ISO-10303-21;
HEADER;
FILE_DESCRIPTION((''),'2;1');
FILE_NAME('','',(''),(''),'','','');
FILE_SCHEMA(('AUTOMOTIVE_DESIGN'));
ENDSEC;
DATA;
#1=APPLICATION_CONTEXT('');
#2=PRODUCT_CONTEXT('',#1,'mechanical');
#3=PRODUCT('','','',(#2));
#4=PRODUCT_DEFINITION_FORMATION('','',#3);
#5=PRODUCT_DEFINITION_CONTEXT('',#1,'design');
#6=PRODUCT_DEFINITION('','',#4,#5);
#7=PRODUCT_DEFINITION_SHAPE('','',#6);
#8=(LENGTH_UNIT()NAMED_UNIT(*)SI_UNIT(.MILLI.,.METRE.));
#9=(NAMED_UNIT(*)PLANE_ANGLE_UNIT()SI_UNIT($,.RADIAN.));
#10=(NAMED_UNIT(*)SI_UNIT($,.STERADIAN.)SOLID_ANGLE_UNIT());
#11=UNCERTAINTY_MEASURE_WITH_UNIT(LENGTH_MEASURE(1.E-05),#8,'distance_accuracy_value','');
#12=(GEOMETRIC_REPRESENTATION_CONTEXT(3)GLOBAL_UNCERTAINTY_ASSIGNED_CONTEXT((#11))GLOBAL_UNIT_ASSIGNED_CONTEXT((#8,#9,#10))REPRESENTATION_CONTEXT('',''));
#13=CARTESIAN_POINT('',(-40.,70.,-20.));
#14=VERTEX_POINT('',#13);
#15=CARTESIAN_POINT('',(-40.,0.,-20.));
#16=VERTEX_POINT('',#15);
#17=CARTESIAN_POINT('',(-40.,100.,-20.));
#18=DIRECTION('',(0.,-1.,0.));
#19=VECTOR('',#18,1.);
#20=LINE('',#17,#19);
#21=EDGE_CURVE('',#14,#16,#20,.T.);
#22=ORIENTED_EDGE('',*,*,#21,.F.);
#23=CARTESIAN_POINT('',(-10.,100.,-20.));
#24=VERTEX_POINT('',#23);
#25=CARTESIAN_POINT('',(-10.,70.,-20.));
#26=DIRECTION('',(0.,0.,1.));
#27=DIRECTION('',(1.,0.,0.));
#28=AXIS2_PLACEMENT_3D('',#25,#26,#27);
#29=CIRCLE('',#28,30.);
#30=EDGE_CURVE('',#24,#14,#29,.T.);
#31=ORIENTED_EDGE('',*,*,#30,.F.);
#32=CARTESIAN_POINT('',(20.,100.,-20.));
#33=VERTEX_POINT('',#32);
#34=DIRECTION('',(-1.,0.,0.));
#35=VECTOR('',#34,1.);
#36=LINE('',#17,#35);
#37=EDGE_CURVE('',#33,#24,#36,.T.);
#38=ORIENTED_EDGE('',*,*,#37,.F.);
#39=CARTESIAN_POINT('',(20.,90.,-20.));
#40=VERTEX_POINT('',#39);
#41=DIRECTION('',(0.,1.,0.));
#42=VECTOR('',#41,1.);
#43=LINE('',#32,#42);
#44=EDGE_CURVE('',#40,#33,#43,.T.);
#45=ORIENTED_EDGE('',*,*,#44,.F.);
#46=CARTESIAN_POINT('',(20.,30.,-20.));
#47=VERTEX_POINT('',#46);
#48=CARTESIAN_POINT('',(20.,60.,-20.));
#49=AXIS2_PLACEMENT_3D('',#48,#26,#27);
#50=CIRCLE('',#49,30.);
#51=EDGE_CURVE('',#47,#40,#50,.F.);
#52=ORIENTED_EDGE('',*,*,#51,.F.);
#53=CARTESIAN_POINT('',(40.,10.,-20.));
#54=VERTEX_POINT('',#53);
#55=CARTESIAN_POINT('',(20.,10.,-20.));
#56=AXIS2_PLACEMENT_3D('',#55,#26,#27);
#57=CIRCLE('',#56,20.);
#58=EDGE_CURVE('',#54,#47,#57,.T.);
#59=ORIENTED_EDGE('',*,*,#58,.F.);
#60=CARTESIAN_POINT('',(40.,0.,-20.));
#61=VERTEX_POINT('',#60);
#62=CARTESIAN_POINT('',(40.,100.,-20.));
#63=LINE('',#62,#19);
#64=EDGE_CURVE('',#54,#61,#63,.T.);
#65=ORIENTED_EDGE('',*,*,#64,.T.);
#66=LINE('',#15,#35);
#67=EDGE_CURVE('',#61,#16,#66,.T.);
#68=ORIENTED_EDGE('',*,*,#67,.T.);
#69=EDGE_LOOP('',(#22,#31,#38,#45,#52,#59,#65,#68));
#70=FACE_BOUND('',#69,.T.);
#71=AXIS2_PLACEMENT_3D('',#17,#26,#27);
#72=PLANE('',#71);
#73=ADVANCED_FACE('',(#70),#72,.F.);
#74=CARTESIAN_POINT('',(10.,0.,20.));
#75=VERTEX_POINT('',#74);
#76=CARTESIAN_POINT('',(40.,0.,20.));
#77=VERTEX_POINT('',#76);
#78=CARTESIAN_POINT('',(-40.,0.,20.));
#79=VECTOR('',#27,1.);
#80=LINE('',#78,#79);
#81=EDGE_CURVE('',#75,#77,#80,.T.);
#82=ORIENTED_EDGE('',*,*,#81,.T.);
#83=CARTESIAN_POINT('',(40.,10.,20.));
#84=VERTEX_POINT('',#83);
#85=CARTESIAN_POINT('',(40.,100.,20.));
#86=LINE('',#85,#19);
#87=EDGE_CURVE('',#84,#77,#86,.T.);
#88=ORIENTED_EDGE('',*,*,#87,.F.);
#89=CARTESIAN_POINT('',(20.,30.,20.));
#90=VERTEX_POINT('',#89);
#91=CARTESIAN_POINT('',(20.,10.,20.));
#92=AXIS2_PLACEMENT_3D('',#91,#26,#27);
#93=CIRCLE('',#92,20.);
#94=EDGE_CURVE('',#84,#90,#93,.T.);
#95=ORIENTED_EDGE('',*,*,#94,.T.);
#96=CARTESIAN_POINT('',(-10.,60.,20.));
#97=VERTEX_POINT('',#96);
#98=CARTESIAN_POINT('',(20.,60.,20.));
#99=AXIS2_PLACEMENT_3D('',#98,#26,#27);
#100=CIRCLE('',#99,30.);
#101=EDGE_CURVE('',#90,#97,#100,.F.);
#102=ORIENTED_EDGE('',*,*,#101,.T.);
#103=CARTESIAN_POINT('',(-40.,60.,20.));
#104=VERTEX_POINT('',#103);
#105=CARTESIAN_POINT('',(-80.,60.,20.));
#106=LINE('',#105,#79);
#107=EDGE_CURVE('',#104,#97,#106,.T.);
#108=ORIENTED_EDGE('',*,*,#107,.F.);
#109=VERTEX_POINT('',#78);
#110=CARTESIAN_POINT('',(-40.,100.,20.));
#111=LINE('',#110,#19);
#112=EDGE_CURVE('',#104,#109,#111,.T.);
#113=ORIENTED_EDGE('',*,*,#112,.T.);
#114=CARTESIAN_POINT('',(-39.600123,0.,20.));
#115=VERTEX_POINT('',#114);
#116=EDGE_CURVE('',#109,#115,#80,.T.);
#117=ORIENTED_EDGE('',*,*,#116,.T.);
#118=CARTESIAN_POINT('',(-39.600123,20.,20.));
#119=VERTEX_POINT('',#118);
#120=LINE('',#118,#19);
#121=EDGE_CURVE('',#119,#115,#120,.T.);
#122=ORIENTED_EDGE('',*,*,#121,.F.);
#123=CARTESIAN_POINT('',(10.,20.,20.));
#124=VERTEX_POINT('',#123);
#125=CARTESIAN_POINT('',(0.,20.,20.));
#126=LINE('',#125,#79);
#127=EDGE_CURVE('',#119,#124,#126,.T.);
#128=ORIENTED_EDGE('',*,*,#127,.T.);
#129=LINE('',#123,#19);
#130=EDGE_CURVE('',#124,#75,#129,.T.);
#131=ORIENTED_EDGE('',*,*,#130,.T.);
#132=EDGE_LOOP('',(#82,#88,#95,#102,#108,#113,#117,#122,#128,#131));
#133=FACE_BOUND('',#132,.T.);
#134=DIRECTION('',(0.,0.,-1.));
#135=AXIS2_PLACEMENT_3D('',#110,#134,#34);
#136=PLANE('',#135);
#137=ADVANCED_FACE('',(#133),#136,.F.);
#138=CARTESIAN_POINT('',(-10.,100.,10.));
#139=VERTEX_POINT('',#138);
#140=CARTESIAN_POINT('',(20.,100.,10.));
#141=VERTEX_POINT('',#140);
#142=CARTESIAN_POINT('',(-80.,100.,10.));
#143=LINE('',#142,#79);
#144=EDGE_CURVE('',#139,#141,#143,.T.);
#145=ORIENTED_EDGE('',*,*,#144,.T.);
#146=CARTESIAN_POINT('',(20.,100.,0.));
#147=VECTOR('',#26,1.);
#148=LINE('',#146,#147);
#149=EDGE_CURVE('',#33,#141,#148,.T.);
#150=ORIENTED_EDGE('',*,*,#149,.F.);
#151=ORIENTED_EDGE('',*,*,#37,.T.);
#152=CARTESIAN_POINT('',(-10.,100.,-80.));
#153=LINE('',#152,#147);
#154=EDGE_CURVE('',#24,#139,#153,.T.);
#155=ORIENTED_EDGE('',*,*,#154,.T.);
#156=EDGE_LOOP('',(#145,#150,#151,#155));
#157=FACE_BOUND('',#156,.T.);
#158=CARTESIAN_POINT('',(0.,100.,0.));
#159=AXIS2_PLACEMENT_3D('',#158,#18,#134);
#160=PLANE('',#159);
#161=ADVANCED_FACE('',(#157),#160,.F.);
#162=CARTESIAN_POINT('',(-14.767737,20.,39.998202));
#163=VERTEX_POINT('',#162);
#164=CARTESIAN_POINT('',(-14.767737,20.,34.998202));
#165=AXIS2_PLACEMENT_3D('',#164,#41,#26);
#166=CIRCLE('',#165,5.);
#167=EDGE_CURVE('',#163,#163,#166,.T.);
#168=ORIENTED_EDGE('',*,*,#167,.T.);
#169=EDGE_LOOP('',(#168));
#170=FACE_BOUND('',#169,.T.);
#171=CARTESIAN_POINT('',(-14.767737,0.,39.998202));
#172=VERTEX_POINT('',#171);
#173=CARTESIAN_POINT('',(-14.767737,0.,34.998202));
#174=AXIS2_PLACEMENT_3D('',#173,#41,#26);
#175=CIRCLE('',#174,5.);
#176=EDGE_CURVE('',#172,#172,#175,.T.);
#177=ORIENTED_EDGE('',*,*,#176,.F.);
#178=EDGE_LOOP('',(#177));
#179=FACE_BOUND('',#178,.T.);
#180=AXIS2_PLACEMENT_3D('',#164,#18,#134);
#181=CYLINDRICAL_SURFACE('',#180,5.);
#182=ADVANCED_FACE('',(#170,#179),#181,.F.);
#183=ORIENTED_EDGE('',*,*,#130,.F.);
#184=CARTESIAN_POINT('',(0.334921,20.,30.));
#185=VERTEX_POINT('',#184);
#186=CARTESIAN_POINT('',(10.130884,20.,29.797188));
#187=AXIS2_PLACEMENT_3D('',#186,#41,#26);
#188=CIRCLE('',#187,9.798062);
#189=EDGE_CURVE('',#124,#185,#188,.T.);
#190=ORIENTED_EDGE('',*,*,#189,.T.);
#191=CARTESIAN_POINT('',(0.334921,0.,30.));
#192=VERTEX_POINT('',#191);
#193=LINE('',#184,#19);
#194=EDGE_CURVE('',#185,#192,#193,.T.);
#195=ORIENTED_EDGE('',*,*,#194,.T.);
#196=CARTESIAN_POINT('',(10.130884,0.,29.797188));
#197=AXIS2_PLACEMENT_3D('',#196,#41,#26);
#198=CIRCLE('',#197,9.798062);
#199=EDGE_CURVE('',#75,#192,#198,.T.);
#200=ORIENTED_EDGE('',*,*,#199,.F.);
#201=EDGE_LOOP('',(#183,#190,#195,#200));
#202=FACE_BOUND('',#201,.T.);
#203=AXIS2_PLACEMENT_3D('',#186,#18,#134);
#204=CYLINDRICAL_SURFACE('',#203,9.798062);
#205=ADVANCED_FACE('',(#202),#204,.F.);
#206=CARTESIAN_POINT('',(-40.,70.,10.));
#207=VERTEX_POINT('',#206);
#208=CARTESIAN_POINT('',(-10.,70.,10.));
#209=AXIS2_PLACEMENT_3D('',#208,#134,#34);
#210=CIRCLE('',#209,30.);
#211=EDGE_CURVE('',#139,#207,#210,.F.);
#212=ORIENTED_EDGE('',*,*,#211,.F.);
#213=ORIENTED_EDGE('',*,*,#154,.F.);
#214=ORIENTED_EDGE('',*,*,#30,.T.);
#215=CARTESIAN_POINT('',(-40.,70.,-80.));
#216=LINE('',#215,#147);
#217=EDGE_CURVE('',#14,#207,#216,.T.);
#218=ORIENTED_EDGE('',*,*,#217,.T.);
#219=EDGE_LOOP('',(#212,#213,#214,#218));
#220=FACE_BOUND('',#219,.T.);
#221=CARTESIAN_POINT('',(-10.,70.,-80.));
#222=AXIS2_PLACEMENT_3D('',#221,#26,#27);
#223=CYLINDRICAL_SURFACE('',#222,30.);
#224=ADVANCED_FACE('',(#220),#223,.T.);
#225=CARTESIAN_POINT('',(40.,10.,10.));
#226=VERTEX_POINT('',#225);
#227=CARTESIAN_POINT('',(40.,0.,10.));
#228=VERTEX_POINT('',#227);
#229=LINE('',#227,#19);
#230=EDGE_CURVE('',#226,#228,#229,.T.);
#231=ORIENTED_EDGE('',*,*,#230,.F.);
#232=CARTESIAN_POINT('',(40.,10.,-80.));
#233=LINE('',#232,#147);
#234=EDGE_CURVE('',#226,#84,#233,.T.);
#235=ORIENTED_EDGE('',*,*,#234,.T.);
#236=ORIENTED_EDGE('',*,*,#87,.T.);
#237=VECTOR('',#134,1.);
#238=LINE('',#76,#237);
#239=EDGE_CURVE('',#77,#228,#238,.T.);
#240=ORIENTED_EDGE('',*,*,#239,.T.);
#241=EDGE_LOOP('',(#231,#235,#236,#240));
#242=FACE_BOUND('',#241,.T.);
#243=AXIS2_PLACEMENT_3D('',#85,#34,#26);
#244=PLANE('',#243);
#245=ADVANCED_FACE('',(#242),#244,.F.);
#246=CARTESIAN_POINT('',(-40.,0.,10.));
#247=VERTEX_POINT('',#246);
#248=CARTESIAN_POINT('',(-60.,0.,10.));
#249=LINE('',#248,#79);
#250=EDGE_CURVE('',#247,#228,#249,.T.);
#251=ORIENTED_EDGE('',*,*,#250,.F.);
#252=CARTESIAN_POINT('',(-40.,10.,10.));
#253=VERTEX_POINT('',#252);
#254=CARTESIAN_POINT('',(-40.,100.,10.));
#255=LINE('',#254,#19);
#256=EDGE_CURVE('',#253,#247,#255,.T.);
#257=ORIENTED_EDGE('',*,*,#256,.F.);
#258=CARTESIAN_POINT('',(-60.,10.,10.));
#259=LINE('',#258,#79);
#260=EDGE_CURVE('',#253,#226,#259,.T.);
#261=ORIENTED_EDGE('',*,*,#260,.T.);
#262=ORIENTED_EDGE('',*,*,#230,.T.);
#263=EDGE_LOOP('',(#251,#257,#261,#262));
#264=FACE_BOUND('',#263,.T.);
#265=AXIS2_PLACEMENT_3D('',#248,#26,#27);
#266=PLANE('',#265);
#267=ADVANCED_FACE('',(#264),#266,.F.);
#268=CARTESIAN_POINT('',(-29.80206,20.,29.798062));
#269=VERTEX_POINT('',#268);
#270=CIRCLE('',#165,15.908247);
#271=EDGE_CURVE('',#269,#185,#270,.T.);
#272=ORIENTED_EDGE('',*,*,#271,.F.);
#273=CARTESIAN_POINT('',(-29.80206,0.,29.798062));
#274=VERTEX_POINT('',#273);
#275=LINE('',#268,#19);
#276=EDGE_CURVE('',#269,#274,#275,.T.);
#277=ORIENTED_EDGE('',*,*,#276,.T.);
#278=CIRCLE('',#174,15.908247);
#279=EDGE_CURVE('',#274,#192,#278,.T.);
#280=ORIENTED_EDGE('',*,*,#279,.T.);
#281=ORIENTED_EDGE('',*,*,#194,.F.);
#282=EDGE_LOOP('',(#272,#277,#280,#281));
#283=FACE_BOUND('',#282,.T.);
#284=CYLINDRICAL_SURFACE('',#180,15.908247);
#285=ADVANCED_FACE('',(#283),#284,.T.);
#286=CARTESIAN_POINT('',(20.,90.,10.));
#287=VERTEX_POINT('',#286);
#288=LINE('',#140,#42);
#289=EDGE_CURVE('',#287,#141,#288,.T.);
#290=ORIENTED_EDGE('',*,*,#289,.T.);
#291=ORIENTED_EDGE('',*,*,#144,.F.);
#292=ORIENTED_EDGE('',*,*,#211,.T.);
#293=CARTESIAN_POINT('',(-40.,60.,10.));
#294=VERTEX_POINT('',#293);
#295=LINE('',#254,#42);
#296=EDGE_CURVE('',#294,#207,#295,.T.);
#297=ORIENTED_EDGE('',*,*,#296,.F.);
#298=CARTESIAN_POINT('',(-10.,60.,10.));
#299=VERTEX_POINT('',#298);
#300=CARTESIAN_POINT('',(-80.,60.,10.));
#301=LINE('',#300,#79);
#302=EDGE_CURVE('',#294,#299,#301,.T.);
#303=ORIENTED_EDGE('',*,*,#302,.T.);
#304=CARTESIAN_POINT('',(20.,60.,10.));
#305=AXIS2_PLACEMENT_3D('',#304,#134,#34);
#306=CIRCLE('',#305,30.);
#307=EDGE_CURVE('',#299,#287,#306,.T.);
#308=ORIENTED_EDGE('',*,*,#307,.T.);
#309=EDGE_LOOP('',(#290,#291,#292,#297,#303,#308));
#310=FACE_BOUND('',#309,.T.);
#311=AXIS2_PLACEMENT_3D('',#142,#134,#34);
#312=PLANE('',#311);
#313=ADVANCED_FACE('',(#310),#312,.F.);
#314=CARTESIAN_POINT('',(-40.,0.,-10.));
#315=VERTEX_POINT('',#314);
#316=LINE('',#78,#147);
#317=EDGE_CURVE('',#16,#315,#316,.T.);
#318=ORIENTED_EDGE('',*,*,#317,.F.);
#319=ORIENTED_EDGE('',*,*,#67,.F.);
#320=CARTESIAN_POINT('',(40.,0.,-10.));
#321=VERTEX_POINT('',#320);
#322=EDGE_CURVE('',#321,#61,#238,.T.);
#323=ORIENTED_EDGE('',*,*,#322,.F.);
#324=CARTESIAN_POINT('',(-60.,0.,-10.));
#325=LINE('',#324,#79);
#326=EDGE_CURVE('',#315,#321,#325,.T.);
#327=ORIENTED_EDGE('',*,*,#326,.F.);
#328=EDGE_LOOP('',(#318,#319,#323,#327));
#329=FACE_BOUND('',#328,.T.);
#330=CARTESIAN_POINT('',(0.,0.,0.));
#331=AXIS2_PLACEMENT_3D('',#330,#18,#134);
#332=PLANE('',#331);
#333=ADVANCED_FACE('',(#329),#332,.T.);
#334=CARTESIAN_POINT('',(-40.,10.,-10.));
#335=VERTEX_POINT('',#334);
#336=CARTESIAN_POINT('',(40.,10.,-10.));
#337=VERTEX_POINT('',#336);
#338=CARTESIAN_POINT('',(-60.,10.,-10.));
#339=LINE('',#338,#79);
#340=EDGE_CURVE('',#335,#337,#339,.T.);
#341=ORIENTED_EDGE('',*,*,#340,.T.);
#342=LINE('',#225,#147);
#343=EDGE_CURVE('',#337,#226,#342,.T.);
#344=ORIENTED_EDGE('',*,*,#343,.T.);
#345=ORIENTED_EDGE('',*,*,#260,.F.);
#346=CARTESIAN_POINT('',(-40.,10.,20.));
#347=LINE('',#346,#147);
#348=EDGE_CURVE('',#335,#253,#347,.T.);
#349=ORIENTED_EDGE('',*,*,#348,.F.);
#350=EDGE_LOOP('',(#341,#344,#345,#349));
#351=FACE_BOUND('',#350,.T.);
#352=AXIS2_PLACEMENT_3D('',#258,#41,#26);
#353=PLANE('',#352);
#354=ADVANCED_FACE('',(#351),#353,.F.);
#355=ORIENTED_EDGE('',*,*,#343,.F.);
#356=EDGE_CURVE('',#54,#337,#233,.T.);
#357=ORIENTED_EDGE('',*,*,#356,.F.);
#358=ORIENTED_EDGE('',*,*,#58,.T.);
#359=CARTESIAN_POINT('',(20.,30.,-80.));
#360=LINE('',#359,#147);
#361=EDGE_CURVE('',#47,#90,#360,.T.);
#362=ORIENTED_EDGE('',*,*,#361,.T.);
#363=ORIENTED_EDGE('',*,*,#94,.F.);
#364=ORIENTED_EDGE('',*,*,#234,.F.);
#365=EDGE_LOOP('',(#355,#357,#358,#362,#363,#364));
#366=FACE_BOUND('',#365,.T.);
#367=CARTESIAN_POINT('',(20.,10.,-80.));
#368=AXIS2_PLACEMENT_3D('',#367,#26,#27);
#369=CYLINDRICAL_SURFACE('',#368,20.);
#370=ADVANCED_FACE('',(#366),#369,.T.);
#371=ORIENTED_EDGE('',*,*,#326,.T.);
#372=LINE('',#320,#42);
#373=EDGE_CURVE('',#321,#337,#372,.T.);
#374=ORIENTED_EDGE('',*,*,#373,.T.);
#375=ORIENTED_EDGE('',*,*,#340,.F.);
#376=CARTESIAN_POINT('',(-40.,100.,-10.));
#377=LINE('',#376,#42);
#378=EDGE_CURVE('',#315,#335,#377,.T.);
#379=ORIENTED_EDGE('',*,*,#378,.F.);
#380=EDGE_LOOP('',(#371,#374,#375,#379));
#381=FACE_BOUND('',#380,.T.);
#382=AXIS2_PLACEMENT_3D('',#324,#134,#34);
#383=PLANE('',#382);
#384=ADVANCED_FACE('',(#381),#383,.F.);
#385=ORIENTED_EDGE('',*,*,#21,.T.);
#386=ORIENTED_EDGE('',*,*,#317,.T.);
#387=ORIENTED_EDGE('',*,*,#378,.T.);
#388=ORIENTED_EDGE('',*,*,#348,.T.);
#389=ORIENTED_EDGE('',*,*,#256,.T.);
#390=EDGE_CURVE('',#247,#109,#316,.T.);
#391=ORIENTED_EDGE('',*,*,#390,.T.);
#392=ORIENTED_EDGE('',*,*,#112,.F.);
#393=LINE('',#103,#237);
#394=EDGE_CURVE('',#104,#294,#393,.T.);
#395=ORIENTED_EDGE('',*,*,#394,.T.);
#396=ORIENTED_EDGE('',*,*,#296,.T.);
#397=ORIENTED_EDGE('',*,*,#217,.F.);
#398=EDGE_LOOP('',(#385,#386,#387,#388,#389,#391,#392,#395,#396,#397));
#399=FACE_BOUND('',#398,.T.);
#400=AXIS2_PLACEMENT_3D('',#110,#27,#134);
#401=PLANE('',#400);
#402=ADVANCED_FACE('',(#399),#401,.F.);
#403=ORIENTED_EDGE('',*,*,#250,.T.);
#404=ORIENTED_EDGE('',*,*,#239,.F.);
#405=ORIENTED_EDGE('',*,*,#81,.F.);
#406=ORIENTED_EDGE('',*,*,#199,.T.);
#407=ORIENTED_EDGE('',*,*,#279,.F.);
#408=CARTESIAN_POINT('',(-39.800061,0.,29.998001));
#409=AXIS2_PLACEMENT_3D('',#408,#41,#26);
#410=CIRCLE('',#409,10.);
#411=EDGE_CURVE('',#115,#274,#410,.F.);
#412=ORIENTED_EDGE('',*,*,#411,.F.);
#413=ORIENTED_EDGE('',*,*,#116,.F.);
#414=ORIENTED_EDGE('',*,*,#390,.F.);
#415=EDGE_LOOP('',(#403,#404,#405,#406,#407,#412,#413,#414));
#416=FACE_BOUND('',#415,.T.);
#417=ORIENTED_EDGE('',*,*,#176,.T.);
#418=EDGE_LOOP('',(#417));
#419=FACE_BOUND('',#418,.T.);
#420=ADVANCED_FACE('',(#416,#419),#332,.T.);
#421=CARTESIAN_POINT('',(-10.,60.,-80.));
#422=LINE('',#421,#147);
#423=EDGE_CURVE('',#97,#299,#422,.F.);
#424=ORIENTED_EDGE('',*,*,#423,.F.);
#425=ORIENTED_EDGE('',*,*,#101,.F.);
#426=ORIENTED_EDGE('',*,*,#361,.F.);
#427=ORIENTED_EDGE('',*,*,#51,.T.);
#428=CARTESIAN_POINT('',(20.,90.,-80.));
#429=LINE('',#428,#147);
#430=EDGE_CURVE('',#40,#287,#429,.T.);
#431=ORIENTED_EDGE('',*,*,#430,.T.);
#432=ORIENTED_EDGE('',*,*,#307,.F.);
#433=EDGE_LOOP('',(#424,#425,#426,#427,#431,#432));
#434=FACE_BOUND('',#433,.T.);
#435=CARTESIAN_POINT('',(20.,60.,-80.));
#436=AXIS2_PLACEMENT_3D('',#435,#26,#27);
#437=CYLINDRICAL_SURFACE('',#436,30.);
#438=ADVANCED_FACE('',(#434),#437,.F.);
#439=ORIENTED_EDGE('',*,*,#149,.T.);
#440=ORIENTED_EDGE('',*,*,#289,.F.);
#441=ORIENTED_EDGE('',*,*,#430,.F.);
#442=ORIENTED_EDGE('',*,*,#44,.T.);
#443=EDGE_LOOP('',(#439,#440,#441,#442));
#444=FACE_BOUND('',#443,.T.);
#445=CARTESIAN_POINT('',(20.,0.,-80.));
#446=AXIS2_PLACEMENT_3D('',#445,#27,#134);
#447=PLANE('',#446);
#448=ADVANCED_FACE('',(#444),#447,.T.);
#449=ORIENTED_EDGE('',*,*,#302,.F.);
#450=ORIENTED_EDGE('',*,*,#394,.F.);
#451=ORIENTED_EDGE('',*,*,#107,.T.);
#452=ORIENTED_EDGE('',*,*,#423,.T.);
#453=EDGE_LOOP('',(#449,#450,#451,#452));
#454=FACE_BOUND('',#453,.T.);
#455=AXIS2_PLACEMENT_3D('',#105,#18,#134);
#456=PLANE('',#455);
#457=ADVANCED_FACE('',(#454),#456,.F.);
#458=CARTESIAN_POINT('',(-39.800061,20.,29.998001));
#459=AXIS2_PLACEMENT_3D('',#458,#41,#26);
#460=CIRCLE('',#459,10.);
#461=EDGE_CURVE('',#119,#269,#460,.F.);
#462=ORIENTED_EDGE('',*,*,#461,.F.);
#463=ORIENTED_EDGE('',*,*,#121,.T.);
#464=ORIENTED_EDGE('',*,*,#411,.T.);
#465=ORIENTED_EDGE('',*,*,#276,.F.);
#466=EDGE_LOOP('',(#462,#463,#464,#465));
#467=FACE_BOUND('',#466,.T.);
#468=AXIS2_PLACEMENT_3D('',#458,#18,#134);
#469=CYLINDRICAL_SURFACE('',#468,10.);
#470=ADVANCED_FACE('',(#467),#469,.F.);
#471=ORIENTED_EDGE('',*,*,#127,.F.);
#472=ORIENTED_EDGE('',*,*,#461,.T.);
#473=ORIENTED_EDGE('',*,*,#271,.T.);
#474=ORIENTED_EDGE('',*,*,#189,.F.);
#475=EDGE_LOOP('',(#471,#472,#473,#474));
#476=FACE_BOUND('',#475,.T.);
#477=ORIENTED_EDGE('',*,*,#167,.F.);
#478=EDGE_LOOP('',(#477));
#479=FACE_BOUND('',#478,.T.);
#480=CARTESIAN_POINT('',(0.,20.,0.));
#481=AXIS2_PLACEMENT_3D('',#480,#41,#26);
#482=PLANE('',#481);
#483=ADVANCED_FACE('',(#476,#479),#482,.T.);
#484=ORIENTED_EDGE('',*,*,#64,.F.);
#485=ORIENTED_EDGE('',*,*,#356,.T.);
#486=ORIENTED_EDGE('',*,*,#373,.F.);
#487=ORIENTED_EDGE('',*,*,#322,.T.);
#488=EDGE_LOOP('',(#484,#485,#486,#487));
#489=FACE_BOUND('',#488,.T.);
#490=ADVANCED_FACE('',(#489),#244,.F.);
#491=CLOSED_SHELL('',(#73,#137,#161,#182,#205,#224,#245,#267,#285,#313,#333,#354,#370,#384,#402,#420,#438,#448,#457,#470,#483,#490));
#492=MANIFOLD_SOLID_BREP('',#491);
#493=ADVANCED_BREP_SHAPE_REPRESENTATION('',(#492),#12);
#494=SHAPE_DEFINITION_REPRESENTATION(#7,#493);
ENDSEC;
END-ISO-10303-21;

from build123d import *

# Parameters (mm, degrees)
SKETCH1_W           = 80
SKETCH1_H           = 40
BOSS_EXTRUDE1_DEPTH = 100
CUT_EXTRUDE1_DEPTH  = 100
SKETCH4_W           = 20
SKETCH4_H           = 10
CUT_EXTRUDE2_DEPTH  = 100
SKETCH5_W           = 10
SKETCH5_H           = 40
CUT_EXTRUDE3_DEPTH  = 100
SKETCH7_R           = 5
BOSS_EXTRUDE2_DEPTH = 20


with BuildPart() as part:
    # Sketch1 → Boss-Extrude1 (new body)
    with BuildSketch(Plane(origin=(0, 0, 0), x_dir=(1, 0, 0), z_dir=(0, 1, 0))):
        Rectangle(SKETCH1_W, SKETCH1_H)
    extrude(amount=BOSS_EXTRUDE1_DEPTH)

    # Sketch2 → Cut-Extrude1 (cut)
    with BuildSketch(Plane.XY.offset(20)):
        with BuildLine():
            ThreePointArc((20, 30), (34.142135624, 24.142135624), (40, 10))
            Line((40, 10), (40, 100))
            Line((40, 100), (20, 100))
            Line((20, 100), (20, 90))
            ThreePointArc((20, 90), (-10, 60), (20, 30))
        make_face()
        with BuildLine():
            Line((-40, 100), (-40, 70))
            ThreePointArc((-40, 70), (-31.213203436, 91.213203436), (-10, 100))
            Line((-10, 100), (-40, 100))
        make_face()
    extrude(amount=-CUT_EXTRUDE1_DEPTH, mode=Mode.SUBTRACT)

    # Sketch4 → Cut-Extrude2 (cut)
    with BuildSketch(Plane(origin=(40, 0, 0), x_dir=(0, 0, -1), z_dir=(1, 0, 0))):
        with Locations((0, 5)):
            Rectangle(SKETCH4_W, SKETCH4_H)
    extrude(amount=-CUT_EXTRUDE2_DEPTH, mode=Mode.SUBTRACT)

    # Sketch5 → Cut-Extrude3 (cut)
    with BuildSketch(Plane(origin=(20, 0, 0), x_dir=(0, 0, -1), z_dir=(1, 0, 0))):
        with Locations((-15, 80)):
            Rectangle(SKETCH5_W, SKETCH5_H)
    extrude(amount=-CUT_EXTRUDE3_DEPTH, mode=Mode.SUBTRACT)

    # Sketch7 → Boss-Extrude2 (add)
    with BuildSketch(Plane(origin=(0, 0, 0), x_dir=(1, 0, 0), z_dir=(0, 1, 0))):
        with BuildLine():
            Line((10, -20), (-39.600122702, -20))
            ThreePointArc((-39.600122702, -20), (-32.728993539, -22.926933215), (-29.802060324, -29.798062378))
            ThreePointArc((-29.802060324, -29.798062378), (-14.874330774, -50.906091293), (0.33492105, -30))
            ThreePointArc((0.33492105, -30), (3.085632278, -22.987896563), (10, -20))
        make_face()
        with Locations((-14.767737438, -34.998201696)):
            Circle(SKETCH7_R, mode=Mode.SUBTRACT)
    extrude(amount=BOSS_EXTRUDE2_DEPTH)


solid = part.part
